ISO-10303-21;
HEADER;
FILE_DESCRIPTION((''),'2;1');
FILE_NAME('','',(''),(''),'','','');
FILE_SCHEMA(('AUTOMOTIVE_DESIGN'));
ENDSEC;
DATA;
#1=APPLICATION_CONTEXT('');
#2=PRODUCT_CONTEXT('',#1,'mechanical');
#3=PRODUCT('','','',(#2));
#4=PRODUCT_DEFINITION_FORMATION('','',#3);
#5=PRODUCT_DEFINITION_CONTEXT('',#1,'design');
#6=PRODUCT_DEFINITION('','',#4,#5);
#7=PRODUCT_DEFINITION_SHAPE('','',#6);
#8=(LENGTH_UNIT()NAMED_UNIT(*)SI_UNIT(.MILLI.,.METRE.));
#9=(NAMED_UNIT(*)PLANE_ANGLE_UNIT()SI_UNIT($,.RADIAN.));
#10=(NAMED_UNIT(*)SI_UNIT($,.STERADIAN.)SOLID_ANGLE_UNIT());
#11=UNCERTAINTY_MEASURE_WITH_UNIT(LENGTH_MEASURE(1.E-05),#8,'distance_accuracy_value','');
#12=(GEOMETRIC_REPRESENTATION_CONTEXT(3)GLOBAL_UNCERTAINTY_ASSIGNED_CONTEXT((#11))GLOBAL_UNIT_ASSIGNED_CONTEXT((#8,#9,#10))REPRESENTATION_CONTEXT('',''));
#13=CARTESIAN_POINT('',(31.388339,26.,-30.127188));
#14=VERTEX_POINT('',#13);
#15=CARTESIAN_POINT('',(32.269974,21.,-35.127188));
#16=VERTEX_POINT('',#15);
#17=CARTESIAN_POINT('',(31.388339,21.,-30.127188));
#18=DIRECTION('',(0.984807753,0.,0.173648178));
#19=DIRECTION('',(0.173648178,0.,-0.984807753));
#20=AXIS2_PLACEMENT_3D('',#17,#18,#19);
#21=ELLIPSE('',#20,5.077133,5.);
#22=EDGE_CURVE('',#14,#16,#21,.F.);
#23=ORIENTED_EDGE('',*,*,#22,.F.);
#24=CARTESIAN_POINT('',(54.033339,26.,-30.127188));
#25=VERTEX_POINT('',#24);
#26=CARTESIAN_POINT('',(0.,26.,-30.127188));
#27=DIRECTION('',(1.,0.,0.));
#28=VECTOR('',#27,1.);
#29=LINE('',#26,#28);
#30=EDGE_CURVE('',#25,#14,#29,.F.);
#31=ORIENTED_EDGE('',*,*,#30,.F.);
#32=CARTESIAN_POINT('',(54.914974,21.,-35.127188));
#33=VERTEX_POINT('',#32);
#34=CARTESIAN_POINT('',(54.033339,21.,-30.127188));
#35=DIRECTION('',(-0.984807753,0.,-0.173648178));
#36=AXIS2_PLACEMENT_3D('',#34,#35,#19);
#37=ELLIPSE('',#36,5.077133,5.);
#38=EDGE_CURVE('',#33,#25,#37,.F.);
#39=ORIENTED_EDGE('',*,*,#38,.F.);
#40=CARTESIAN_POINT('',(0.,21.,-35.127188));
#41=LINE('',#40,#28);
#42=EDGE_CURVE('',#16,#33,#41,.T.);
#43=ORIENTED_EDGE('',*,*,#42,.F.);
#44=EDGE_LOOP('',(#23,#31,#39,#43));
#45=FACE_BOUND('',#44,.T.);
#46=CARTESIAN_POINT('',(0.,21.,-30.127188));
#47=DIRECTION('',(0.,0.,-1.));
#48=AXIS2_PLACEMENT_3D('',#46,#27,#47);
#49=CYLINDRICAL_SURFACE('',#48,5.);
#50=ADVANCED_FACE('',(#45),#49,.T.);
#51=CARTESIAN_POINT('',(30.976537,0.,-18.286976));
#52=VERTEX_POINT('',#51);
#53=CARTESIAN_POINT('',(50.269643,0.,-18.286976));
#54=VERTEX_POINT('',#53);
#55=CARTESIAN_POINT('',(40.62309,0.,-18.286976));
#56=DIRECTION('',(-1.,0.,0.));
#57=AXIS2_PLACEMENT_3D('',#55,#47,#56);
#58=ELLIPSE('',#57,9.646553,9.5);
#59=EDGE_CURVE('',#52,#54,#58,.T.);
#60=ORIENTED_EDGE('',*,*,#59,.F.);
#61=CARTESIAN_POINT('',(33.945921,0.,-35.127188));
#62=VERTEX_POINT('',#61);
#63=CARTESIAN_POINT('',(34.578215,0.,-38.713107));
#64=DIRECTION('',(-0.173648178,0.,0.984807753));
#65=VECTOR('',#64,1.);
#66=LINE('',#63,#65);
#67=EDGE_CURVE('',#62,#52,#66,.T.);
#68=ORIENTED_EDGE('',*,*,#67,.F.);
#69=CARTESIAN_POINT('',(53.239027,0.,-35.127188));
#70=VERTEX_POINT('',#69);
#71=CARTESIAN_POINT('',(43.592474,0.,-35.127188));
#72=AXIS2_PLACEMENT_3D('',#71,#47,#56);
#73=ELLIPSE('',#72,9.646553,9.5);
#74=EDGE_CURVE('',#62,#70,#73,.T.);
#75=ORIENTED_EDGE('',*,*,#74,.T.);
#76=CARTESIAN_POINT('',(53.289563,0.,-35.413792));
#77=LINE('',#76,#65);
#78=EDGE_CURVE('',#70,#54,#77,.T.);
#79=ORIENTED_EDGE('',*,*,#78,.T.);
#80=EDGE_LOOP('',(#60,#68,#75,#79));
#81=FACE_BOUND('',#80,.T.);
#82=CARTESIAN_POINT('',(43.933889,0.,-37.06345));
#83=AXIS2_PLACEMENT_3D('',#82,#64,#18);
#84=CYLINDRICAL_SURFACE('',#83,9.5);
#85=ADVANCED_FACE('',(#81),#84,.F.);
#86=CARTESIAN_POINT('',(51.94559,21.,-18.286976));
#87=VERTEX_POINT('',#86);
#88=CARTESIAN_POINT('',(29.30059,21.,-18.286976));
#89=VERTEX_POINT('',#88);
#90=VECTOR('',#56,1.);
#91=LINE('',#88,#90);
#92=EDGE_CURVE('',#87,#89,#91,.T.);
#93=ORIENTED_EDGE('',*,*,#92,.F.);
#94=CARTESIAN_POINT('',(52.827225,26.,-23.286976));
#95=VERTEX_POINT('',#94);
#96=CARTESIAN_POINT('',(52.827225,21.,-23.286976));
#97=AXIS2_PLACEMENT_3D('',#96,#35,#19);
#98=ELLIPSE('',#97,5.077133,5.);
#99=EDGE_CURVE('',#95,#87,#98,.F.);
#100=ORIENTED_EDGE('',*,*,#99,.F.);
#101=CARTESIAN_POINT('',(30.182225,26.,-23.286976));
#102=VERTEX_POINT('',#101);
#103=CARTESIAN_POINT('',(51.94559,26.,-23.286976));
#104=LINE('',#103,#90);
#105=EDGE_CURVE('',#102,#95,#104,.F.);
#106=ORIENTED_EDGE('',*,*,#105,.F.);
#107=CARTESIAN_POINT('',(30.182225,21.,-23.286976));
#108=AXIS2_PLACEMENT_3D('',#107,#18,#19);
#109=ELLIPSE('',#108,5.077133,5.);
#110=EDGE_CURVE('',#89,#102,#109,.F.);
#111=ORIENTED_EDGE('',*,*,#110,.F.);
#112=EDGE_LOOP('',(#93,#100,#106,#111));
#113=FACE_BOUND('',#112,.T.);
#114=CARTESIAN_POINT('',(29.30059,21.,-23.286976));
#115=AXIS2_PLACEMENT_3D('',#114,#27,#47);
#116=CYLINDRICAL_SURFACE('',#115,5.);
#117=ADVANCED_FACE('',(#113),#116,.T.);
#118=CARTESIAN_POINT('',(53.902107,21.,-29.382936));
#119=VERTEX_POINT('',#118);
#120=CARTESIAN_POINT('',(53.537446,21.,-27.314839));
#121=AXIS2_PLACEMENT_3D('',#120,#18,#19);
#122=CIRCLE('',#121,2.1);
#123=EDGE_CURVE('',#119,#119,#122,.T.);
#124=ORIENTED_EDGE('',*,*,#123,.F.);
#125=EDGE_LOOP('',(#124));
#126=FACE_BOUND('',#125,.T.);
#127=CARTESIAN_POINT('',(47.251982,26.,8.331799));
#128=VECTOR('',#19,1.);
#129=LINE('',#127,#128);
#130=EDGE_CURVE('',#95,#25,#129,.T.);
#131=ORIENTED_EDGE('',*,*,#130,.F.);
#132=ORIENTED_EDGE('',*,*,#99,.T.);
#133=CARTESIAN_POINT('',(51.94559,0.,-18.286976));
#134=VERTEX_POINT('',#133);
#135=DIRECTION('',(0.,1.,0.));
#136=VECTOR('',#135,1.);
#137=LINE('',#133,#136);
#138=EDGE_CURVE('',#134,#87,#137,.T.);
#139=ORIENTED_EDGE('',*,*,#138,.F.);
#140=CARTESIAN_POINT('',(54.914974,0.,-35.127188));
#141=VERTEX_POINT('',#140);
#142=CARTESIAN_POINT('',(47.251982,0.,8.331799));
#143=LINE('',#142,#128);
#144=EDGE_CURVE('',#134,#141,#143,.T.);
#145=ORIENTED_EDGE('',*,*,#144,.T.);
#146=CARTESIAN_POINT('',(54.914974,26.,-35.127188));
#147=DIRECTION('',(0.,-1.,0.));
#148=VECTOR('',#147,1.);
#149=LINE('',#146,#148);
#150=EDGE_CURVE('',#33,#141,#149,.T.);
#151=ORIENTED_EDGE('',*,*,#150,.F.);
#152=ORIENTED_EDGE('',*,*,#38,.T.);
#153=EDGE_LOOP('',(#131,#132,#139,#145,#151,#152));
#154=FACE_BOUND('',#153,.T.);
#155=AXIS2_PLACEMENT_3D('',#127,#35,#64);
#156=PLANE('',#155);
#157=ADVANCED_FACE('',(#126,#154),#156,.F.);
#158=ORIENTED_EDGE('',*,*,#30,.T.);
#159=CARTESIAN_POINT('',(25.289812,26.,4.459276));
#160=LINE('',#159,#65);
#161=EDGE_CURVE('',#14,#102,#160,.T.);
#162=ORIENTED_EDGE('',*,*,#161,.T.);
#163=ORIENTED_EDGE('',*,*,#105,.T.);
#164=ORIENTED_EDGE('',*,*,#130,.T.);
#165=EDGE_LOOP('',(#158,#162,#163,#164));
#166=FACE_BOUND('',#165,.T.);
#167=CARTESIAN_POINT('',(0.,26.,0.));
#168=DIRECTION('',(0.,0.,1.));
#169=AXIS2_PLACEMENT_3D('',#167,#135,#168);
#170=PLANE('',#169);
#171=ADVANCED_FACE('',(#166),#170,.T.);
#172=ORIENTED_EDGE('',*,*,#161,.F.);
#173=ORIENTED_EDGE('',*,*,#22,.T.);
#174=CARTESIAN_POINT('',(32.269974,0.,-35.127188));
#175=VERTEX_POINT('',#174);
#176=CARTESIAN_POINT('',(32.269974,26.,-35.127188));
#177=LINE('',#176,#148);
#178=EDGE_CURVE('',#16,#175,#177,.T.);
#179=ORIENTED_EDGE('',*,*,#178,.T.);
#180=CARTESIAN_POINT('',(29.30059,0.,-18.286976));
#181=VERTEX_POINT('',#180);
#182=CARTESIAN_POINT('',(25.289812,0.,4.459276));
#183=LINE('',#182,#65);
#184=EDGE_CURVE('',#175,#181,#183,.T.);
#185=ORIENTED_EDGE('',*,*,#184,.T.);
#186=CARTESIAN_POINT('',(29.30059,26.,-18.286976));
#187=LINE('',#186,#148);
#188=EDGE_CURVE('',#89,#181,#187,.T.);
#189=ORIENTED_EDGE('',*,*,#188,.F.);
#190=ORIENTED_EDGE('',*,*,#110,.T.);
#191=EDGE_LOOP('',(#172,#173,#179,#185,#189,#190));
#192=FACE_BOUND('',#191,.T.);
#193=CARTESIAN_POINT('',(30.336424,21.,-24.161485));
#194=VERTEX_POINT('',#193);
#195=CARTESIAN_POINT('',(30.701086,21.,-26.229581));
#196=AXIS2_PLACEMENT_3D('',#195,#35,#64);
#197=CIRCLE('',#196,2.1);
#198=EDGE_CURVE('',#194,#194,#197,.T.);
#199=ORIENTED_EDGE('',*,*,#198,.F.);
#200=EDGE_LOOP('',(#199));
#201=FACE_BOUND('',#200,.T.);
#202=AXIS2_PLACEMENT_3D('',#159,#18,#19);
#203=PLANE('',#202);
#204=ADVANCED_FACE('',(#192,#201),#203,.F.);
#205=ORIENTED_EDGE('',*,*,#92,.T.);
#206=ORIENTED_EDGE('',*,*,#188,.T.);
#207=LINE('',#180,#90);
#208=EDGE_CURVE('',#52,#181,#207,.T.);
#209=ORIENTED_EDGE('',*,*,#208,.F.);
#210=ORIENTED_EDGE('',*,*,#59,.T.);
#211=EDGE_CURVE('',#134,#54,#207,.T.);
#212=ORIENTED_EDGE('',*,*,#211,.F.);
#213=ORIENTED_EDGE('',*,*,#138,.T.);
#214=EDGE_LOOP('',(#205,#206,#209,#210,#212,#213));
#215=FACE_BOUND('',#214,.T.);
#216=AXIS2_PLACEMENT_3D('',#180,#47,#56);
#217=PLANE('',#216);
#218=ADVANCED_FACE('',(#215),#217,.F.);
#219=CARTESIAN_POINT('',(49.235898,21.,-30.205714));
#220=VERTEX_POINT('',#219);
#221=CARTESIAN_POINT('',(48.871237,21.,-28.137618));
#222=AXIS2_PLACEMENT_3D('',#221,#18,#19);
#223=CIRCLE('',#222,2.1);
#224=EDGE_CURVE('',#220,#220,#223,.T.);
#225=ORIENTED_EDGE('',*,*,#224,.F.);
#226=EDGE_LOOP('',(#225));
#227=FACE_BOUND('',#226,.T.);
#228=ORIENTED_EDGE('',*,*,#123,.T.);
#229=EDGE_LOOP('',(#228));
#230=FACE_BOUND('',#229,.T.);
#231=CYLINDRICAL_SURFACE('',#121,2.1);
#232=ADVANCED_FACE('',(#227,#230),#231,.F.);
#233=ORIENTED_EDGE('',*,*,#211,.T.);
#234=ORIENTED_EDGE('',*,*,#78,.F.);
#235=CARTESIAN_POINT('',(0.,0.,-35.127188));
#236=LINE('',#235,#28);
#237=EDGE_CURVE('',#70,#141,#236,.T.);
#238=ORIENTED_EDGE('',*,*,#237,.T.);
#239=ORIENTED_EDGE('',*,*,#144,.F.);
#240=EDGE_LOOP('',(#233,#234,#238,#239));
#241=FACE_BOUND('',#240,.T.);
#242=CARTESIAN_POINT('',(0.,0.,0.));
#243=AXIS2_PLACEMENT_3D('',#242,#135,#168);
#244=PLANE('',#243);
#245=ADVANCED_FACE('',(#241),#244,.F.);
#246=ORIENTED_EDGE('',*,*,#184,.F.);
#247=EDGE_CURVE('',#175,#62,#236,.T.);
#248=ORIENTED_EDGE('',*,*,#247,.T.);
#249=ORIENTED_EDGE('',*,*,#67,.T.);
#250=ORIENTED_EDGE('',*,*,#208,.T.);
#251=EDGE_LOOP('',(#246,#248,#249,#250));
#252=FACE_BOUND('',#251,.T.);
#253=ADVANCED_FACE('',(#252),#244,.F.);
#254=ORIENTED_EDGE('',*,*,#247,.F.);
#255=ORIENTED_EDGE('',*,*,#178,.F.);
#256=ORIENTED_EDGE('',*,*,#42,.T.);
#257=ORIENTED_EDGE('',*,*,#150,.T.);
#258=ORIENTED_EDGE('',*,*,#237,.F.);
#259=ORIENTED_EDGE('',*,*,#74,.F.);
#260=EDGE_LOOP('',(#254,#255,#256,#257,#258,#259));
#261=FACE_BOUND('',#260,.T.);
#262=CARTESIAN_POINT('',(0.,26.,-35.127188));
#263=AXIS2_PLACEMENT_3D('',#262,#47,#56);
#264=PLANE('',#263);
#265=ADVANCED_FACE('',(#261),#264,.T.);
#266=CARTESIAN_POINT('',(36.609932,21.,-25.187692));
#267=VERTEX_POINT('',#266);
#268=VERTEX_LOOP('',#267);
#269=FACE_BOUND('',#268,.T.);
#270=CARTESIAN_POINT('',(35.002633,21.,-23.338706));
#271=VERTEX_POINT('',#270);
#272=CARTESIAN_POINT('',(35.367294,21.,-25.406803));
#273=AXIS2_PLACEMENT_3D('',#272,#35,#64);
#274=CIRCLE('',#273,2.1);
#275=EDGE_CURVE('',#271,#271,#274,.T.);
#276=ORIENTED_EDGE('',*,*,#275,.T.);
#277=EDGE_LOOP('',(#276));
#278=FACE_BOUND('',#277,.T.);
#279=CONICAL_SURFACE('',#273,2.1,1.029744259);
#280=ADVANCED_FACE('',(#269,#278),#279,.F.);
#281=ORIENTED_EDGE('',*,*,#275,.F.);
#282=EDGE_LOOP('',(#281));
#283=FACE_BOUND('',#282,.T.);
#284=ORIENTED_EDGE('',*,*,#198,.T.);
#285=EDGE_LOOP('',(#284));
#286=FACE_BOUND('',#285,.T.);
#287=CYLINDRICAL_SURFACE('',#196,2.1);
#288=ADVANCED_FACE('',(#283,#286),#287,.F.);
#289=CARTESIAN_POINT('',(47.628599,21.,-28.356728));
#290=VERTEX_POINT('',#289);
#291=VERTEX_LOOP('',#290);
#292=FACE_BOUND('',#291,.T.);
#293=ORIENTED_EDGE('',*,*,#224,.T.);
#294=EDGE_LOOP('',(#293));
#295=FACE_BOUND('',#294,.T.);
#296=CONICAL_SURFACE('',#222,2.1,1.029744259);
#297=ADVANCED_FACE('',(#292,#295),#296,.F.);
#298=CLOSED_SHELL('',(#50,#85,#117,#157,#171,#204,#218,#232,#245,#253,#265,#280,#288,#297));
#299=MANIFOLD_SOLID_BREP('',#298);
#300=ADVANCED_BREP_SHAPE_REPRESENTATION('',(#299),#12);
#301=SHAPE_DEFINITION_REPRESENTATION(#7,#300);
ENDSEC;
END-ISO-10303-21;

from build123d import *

# Parameters (mm, degrees)
BOSS_EXTRUDE2_DEPTH             = 26
CUT_EXTRUDE7_DEPTH              = 71.182431461
CUT_EXTRUDE8_DEPTH              = 59.485252348
FILLET6_R                       = 5
M5_TAPPED_HOLE1_D               = 4.2
M5_TAPPED_HOLE1_DEPTH           = 4.7381927
M5_TAPPED_HOLE1_TIP             = 1.2618073
M5_TAPPED_HOLE1_ON_FACE_2_D     = 4.2
M5_TAPPED_HOLE1_ON_FACE_2_DEPTH = 4.7381927
M5_TAPPED_HOLE1_ON_FACE_2_TIP   = 1.2618073


with BuildPart() as part:
    # 草图1 → Boss-Extrude2 (new body)
    with BuildSketch(Plane(origin=(0, 0, 0), x_dir=(1, 0, 0), z_dir=(0, 1, 0))):
        Polygon((29.300589914, 18.286975519), (51.945589914, 18.286975519), (54.914973752, 35.127188096), (32.269973752, 35.127188096), align=None)
        Polygon((29.300589914, 18.286975519), (51.945589914, 18.286975519), (51.262759613, 14.414452446), align=None)
    extrude(amount=BOSS_EXTRUDE2_DEPTH)

    # Sketch3 → Cut-Extrude7 (cut, through all)
    with BuildSketch(Plane(origin=(0, 26, 0), x_dir=(1, 0, 0), z_dir=(0, 1, 0))):
        Polygon((29.300589914, 18.286975519), (51.945589914, 18.286975519), (51.262759613, 14.414452446), align=None)
    extrude(amount=-CUT_EXTRUDE7_DEPTH, mode=Mode.SUBTRACT)

    # Sketch2 → Cut-Extrude8 (cut, through all)
    with BuildSketch(Plane(origin=(4.010777888, 0, -22.746251717), x_dir=(0.984807753012208, 0, 0.17364817766693091), z_dir=(-0.17364817766693091, 0, 0.984807753012208))):
        with BuildLine():
            Line((27.330433925, 0), (46.330433925, 0))
            ThreePointArc((46.330433925, 0), (36.830433925, 9.5), (27.330433925, 0))
        make_face()
    extrude(amount=-CUT_EXTRUDE8_DEPTH, mode=Mode.SUBTRACT)

    # Fillet6
    fillet6_edges = [part.edges().sort_by_distance(p)[0] for p in [
        (40.623089914, 26, -18.286975519),
        (43.592473752, 26, -35.127188096),
    ]]
    fillet(fillet6_edges, radius=FILLET6_R)

    # M5 Tapped Hole1
    with Locations(Plane(origin=(53.537445864, 21, -27.314839229), x_dir=(-0.173648177667, 0, 0.984807753012), z_dir=(0.984807753012, 0, 0.173648177667))):
        with Locations((0, 0)):
            Hole(M5_TAPPED_HOLE1_D / 2, depth=M5_TAPPED_HOLE1_DEPTH)
            with Locations((0, 0, -(M5_TAPPED_HOLE1_DEPTH + M5_TAPPED_HOLE1_TIP / 2))):  # 118° drill point
                Cone(0, M5_TAPPED_HOLE1_D / 2, M5_TAPPED_HOLE1_TIP, mode=Mode.SUBTRACT)

    # M5 Tapped Hole1 on face 2
    with Locations(Plane(origin=(30.701085573, 21, -26.229581085), x_dir=(0.17364796312, 0, -0.984807790843), z_dir=(-0.984807790843, 0, -0.17364796312))):
        with Locations((0, 0)):
            Hole(M5_TAPPED_HOLE1_ON_FACE_2_D / 2, depth=M5_TAPPED_HOLE1_ON_FACE_2_DEPTH)
            with Locations((0, 0, -(M5_TAPPED_HOLE1_ON_FACE_2_DEPTH + M5_TAPPED_HOLE1_ON_FACE_2_TIP / 2))):  # 118° drill point
                Cone(0, M5_TAPPED_HOLE1_ON_FACE_2_D / 2, M5_TAPPED_HOLE1_ON_FACE_2_TIP, mode=Mode.SUBTRACT)


solid = part.part
